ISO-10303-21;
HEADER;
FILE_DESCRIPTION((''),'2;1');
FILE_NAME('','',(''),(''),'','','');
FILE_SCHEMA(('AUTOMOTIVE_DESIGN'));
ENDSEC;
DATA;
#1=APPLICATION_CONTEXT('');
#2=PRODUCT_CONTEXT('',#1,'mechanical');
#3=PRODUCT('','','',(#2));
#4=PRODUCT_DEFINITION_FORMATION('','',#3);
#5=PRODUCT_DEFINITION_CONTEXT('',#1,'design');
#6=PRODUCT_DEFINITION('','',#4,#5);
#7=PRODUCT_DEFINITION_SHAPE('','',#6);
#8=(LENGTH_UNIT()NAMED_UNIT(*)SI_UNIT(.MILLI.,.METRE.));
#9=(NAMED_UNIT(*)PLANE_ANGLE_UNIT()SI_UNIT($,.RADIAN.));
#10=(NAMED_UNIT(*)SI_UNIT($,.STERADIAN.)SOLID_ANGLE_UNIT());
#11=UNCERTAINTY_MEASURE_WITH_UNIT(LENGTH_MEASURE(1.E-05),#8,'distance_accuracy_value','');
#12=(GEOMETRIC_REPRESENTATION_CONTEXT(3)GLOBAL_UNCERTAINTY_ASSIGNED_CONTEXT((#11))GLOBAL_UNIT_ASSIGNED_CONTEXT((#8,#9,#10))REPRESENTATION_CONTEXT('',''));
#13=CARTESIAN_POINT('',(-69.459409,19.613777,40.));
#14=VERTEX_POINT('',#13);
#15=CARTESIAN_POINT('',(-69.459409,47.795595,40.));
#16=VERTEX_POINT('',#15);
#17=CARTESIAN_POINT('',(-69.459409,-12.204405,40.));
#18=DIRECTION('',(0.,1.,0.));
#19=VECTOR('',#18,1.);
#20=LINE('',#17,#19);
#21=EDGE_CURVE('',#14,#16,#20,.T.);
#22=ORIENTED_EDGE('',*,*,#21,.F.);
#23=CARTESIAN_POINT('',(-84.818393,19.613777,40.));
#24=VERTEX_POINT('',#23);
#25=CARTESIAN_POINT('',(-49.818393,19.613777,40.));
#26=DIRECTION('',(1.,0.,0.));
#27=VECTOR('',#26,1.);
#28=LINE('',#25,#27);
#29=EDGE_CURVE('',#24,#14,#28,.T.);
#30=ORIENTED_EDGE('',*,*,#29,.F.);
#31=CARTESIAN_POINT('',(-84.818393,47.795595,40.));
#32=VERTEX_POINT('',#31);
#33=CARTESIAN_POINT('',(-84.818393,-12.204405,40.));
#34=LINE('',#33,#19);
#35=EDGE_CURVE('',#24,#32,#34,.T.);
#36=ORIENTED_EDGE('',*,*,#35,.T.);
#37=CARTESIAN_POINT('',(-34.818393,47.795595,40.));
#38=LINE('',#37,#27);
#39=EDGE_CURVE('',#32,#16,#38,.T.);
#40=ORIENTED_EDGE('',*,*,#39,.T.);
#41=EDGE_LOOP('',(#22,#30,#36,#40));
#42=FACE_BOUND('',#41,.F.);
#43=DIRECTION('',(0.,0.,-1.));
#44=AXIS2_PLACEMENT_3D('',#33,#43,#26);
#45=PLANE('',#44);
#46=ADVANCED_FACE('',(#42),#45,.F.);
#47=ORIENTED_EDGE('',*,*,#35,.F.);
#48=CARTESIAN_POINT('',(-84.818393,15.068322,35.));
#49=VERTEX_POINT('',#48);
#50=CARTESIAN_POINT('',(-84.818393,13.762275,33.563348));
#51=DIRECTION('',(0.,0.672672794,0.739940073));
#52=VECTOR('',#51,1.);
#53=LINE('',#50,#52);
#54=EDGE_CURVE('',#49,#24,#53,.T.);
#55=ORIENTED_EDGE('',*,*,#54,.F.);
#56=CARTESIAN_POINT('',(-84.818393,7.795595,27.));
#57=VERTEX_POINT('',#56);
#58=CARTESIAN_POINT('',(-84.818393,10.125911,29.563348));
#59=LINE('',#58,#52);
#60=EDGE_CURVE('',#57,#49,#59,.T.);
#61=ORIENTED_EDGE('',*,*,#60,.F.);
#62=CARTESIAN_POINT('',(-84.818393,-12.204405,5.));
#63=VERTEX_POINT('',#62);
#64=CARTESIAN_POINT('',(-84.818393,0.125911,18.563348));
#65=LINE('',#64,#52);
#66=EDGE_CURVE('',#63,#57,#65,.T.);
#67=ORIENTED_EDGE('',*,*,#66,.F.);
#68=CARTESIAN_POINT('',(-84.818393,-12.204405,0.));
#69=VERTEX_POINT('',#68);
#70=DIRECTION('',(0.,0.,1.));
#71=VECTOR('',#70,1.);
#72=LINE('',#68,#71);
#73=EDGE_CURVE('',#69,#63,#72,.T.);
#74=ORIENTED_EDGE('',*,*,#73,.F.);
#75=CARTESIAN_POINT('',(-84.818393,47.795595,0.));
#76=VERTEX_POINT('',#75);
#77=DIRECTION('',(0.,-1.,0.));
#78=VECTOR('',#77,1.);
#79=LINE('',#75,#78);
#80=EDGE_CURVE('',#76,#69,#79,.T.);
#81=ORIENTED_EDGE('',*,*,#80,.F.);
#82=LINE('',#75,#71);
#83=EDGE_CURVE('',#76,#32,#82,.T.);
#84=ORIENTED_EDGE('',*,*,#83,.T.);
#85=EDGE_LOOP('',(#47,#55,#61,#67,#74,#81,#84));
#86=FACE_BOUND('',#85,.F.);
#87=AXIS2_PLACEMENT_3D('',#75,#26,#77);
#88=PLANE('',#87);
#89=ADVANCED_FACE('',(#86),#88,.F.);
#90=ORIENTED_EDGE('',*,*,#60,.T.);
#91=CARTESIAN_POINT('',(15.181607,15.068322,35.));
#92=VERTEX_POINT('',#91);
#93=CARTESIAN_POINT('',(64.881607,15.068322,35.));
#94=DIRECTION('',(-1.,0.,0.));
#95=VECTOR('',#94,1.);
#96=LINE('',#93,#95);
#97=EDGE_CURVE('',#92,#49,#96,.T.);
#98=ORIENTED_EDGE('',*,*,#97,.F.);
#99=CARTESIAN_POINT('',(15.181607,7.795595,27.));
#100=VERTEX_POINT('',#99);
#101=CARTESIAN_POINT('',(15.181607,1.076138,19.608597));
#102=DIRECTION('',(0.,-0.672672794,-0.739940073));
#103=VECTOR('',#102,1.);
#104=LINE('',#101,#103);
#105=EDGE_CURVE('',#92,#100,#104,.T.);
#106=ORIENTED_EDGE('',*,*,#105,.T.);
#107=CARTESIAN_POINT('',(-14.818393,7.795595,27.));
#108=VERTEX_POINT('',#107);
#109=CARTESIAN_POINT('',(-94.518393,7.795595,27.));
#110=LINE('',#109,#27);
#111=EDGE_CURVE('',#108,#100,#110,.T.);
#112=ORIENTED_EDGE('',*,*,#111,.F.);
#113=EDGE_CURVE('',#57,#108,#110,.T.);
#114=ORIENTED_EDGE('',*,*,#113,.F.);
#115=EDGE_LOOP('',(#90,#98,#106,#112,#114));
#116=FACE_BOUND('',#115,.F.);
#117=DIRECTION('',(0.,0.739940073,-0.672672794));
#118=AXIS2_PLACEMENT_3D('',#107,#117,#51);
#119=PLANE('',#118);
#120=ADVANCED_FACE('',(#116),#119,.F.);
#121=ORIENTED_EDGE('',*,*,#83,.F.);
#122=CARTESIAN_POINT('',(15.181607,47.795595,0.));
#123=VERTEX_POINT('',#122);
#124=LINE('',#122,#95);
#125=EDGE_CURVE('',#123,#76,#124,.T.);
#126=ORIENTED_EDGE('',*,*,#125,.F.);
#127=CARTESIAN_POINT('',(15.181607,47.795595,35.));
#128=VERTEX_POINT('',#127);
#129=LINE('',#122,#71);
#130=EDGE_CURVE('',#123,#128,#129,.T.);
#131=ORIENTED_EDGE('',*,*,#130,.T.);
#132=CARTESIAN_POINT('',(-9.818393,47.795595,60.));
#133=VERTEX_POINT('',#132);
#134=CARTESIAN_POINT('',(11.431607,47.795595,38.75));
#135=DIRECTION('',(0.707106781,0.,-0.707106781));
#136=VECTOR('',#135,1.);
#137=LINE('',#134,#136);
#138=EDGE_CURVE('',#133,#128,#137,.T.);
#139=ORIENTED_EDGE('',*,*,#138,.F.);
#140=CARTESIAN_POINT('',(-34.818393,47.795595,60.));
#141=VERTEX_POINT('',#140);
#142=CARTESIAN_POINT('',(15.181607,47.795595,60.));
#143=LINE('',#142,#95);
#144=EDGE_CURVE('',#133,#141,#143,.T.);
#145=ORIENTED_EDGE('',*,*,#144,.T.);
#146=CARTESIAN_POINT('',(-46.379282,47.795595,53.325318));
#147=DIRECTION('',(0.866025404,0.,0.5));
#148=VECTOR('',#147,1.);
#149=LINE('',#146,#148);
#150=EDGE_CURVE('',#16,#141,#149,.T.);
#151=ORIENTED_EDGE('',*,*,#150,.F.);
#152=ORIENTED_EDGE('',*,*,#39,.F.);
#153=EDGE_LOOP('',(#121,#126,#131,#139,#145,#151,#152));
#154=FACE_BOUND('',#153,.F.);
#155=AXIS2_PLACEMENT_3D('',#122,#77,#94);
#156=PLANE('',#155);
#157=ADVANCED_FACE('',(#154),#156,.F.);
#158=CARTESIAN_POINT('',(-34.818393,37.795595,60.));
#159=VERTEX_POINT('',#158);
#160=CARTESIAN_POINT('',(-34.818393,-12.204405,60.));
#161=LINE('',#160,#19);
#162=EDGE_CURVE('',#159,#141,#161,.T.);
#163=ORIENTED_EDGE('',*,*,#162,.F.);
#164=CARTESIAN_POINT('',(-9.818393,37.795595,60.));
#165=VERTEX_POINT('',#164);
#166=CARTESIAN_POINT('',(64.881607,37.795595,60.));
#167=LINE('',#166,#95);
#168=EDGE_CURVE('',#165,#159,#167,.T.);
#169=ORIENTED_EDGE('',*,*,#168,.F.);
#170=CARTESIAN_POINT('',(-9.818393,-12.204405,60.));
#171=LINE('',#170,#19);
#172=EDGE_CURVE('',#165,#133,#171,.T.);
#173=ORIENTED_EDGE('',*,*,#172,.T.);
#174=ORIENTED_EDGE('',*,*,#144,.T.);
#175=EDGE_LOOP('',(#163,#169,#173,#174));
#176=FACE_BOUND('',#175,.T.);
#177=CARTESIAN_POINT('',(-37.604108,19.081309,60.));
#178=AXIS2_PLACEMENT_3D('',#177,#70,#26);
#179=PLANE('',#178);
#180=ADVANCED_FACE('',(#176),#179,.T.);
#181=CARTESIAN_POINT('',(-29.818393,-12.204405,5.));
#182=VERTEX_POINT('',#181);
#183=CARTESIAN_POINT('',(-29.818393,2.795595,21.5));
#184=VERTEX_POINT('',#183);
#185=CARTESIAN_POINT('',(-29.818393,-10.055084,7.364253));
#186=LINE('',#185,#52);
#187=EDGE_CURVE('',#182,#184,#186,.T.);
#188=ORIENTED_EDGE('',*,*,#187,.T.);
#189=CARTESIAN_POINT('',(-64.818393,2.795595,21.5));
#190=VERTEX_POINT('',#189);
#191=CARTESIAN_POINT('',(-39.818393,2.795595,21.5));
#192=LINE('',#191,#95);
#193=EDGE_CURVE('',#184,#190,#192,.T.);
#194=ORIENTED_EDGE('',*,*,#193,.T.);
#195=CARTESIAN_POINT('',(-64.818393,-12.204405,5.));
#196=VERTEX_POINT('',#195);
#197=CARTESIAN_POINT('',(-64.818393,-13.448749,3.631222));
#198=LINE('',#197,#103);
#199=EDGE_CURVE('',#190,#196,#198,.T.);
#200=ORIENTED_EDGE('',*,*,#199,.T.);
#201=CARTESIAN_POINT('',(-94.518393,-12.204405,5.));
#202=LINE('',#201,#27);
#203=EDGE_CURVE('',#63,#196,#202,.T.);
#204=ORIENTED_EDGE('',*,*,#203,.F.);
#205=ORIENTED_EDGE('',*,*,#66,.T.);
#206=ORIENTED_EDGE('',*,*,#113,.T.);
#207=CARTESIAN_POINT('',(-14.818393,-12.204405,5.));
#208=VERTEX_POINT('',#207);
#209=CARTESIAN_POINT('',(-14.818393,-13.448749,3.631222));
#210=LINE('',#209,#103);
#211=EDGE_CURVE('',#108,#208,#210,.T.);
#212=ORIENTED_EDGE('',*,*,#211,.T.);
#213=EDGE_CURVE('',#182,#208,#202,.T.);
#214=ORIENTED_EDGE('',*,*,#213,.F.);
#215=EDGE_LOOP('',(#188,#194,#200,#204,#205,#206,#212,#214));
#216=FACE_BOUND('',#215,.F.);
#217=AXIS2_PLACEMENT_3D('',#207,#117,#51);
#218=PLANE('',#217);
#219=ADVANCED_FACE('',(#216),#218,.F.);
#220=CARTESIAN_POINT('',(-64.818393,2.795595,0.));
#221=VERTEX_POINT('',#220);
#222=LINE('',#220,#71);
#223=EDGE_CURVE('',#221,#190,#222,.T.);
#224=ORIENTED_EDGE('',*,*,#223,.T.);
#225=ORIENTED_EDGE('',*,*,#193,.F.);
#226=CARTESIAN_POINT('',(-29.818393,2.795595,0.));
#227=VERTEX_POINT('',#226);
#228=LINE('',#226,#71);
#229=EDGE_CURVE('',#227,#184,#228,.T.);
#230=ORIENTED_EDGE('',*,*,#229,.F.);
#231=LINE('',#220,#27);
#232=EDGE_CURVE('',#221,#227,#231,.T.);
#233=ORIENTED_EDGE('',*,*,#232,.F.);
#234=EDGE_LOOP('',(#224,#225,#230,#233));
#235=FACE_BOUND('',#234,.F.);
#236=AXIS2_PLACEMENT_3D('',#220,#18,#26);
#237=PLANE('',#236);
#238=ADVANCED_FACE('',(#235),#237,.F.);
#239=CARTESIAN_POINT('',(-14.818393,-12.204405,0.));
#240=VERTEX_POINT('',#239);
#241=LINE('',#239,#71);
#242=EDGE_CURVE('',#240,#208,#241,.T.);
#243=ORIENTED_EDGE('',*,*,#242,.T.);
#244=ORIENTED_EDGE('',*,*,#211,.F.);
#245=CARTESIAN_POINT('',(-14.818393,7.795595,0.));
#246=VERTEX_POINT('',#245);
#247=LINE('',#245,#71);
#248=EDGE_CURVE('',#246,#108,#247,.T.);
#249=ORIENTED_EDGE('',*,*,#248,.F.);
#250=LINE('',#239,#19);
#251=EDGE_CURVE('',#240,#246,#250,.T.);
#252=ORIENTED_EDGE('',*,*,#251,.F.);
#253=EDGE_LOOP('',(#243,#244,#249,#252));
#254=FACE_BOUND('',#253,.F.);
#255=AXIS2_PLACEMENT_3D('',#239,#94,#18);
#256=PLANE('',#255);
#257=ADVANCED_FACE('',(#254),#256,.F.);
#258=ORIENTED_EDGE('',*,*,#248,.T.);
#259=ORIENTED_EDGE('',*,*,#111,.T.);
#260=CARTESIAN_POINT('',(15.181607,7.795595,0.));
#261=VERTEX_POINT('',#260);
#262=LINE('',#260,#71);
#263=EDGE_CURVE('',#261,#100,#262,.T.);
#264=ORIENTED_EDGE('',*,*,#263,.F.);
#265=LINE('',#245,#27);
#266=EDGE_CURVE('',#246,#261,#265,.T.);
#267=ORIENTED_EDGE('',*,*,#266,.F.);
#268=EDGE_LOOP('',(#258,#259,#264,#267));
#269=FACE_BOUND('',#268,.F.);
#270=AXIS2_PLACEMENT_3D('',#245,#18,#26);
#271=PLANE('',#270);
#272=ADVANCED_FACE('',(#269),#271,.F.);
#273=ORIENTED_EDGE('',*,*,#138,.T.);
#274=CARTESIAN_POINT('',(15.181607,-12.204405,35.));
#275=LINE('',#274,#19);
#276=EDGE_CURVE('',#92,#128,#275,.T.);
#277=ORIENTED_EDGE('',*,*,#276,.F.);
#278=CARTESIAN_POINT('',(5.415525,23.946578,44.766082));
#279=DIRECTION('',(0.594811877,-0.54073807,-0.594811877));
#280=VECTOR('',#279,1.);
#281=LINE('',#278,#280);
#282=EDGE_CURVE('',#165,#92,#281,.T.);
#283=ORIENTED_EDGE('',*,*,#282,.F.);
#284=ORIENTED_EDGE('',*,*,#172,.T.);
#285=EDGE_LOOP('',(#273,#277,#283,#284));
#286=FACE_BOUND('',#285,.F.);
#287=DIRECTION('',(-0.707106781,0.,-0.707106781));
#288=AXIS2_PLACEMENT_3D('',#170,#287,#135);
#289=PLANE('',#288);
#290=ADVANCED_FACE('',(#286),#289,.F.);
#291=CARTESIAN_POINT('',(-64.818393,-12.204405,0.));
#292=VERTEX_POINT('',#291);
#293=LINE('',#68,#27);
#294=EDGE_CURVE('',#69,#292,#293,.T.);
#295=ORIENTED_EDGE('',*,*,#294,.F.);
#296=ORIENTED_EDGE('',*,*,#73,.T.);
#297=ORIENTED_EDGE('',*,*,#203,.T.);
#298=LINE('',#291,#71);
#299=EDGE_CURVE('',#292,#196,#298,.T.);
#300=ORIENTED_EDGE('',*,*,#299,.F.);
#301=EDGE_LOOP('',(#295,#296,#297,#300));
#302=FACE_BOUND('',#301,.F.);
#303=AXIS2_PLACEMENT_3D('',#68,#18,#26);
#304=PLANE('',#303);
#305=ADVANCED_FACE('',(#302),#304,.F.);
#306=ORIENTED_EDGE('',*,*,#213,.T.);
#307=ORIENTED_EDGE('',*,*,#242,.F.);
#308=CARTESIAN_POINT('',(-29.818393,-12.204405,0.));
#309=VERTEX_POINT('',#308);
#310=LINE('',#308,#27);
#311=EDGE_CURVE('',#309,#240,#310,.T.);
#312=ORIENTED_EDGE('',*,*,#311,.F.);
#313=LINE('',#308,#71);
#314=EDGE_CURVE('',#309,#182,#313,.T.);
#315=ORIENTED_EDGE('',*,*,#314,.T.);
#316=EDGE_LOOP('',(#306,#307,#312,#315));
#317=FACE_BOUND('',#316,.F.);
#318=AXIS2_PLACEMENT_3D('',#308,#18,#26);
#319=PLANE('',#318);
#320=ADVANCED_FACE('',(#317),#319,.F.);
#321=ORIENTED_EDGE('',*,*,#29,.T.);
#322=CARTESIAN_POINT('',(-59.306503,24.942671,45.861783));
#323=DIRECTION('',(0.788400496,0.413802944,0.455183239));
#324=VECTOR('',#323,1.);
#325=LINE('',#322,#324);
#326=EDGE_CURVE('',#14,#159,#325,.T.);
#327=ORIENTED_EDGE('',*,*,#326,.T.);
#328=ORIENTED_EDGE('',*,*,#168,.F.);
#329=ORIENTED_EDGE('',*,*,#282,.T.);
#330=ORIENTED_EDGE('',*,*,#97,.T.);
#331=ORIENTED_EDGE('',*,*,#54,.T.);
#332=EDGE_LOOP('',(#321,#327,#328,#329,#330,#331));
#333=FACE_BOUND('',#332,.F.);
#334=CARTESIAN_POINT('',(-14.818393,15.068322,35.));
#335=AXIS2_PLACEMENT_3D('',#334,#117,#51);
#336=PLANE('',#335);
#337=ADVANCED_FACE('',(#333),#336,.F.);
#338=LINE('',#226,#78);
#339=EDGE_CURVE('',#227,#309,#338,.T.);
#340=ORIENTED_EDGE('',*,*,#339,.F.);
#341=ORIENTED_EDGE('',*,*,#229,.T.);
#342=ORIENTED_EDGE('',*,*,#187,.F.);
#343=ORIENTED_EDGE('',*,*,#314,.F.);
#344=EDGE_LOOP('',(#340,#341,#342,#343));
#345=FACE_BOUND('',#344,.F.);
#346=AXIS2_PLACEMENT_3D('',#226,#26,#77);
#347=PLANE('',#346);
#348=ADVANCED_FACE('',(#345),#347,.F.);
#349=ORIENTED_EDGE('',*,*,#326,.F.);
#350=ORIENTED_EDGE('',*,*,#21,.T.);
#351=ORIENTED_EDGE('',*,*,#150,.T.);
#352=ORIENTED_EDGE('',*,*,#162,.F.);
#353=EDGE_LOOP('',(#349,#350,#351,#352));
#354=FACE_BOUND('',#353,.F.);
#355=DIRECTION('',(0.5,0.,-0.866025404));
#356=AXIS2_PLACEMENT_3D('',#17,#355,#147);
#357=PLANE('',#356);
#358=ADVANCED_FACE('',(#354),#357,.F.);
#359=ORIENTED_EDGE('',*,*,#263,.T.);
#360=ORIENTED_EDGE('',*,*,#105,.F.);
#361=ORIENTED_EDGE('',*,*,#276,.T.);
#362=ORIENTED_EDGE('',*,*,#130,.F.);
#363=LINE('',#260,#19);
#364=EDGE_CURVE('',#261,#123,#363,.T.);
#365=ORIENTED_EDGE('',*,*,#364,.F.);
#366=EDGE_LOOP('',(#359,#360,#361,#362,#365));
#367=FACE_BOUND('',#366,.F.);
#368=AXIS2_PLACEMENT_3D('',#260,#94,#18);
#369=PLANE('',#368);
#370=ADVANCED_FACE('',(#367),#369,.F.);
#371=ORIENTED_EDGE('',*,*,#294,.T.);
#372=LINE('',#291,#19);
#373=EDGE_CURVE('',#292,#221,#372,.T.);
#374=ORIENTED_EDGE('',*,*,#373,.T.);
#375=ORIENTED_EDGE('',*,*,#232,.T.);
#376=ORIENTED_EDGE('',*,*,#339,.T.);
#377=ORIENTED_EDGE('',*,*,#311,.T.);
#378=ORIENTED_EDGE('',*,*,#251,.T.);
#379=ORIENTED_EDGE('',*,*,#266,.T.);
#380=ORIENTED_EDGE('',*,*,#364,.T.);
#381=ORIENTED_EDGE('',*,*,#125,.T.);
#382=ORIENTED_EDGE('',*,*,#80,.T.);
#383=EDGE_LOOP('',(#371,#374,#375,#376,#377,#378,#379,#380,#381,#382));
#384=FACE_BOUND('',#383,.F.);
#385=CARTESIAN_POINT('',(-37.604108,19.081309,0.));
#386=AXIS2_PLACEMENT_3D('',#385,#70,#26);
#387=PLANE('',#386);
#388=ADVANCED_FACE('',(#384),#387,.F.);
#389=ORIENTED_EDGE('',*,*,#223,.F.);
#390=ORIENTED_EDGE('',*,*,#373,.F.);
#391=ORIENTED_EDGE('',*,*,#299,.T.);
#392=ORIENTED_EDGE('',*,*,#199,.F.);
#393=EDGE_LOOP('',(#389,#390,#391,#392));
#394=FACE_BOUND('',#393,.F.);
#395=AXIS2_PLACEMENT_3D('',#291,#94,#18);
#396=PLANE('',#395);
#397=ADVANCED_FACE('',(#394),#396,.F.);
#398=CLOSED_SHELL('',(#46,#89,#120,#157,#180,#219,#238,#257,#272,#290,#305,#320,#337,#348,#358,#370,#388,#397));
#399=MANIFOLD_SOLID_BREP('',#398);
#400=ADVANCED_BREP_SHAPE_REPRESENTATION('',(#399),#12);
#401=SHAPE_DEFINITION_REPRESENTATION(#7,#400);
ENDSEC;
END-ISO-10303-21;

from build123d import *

# Parameters (mm, degrees)
F1_DEPTH = 60
F3_DEPTH = 60.001
F5_DEPTH = 79.7


with BuildPart() as f1:
    # F0 (on Top) → F1 (new body)
    with BuildSketch(Plane.XY):
        Polygon((15.1816067746, 47.7955947455), (-84.8183932254, 47.7955947455), (-84.8183932254, -12.2044052545), (-64.8183932254, -12.2044052545), (-64.8183932254, 2.7955947455), (-29.8183932254, 2.7955947455), (-29.8183932254, -12.2044052545), (-14.8183932254, -12.2044052545), (-14.8183932254, 7.7955947455), (15.1816067746, 7.7955947455), align=None)
    extrude(amount=F1_DEPTH)

    # F2 (on face) → F3 (cut, through all)
    with BuildSketch(Plane.XZ.offset(12.2044052545)):
        Polygon((-69.4594093768, 40), (-34.8183932254, 60), (-84.8183932254, 60), (-84.8183932254, 40), align=None)
        Polygon((15.1816067746, 60), (-9.8183932254, 60), (15.1816067746, 35), align=None)
    extrude(amount=-F3_DEPTH, mode=Mode.SUBTRACT)

    # F4 (on face) → F5 (cut, symmetric)
    with BuildSketch(Plane.YZ.offset(-14.8183932254)):
        Polygon((-12.2044052545, 60), (-12.2044052545, 5), (7.7955947455, 27), (7.7955947455, 35), (7.7955947455, 60), align=None)
        Polygon((7.7955947455, 60), (7.7955947455, 35), (15.0683220182, 35), (37.7955947455, 60), align=None)
        Polygon((7.7955947455, 35), (7.7955947455, 27), (15.0683220182, 35), align=None)
    extrude(amount=F5_DEPTH, both=True, mode=Mode.SUBTRACT)


solid = f1.part
